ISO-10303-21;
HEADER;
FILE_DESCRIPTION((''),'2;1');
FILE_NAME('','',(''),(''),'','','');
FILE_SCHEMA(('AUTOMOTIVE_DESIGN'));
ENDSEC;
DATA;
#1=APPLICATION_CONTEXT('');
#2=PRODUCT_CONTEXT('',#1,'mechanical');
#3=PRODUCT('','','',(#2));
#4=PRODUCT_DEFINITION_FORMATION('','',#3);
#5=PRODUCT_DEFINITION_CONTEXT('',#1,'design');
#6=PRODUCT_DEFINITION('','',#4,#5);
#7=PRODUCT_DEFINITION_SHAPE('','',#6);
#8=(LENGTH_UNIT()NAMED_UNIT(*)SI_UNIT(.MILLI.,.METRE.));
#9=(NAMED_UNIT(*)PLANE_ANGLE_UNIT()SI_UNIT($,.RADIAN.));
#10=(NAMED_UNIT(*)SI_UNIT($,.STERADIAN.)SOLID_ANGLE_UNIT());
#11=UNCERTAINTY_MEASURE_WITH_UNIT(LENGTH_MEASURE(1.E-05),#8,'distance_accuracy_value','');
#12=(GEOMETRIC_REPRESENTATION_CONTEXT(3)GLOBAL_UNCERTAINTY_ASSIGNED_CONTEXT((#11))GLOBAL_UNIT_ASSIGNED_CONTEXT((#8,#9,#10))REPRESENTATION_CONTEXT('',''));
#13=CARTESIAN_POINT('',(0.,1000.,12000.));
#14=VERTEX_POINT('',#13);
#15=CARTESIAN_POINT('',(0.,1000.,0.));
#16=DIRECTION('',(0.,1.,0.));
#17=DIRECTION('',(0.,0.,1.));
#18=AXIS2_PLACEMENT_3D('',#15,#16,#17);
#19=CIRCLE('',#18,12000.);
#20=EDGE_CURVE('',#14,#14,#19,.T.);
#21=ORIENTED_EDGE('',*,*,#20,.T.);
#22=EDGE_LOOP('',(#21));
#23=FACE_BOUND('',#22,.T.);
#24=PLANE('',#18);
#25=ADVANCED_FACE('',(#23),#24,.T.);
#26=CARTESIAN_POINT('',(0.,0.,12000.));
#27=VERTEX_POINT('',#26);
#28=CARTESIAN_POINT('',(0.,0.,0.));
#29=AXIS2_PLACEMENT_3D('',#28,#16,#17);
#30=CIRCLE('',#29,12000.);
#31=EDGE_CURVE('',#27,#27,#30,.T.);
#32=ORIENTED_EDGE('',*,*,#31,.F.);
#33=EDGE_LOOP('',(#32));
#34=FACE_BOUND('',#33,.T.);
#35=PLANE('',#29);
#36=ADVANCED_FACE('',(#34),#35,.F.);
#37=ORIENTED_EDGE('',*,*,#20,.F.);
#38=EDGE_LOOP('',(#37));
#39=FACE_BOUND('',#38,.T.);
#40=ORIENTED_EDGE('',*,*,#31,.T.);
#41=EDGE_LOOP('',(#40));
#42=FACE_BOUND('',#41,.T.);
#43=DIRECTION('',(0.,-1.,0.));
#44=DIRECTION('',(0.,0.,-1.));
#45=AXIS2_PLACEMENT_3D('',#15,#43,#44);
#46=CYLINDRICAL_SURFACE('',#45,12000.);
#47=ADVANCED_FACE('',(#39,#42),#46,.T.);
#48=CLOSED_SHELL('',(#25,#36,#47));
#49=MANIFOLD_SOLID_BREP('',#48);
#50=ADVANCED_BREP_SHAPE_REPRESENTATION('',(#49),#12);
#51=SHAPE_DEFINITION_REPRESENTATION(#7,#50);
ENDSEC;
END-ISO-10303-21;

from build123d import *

# Parameters (mm, degrees)
SKETCH1_R           = 12000
BOSS_EXTRUDE1_DEPTH = 1000


with BuildPart() as part:
    # Sketch1 → Boss-Extrude1 (new body)
    with BuildSketch(Plane(origin=(0, 0, 0), x_dir=(1, 0, 0), z_dir=(0, 1, 0))):
        with Locations(Location((0, 0, 0), (0, 0, 270))):
            Circle(SKETCH1_R)
    extrude(amount=BOSS_EXTRUDE1_DEPTH)


solid = part.part
